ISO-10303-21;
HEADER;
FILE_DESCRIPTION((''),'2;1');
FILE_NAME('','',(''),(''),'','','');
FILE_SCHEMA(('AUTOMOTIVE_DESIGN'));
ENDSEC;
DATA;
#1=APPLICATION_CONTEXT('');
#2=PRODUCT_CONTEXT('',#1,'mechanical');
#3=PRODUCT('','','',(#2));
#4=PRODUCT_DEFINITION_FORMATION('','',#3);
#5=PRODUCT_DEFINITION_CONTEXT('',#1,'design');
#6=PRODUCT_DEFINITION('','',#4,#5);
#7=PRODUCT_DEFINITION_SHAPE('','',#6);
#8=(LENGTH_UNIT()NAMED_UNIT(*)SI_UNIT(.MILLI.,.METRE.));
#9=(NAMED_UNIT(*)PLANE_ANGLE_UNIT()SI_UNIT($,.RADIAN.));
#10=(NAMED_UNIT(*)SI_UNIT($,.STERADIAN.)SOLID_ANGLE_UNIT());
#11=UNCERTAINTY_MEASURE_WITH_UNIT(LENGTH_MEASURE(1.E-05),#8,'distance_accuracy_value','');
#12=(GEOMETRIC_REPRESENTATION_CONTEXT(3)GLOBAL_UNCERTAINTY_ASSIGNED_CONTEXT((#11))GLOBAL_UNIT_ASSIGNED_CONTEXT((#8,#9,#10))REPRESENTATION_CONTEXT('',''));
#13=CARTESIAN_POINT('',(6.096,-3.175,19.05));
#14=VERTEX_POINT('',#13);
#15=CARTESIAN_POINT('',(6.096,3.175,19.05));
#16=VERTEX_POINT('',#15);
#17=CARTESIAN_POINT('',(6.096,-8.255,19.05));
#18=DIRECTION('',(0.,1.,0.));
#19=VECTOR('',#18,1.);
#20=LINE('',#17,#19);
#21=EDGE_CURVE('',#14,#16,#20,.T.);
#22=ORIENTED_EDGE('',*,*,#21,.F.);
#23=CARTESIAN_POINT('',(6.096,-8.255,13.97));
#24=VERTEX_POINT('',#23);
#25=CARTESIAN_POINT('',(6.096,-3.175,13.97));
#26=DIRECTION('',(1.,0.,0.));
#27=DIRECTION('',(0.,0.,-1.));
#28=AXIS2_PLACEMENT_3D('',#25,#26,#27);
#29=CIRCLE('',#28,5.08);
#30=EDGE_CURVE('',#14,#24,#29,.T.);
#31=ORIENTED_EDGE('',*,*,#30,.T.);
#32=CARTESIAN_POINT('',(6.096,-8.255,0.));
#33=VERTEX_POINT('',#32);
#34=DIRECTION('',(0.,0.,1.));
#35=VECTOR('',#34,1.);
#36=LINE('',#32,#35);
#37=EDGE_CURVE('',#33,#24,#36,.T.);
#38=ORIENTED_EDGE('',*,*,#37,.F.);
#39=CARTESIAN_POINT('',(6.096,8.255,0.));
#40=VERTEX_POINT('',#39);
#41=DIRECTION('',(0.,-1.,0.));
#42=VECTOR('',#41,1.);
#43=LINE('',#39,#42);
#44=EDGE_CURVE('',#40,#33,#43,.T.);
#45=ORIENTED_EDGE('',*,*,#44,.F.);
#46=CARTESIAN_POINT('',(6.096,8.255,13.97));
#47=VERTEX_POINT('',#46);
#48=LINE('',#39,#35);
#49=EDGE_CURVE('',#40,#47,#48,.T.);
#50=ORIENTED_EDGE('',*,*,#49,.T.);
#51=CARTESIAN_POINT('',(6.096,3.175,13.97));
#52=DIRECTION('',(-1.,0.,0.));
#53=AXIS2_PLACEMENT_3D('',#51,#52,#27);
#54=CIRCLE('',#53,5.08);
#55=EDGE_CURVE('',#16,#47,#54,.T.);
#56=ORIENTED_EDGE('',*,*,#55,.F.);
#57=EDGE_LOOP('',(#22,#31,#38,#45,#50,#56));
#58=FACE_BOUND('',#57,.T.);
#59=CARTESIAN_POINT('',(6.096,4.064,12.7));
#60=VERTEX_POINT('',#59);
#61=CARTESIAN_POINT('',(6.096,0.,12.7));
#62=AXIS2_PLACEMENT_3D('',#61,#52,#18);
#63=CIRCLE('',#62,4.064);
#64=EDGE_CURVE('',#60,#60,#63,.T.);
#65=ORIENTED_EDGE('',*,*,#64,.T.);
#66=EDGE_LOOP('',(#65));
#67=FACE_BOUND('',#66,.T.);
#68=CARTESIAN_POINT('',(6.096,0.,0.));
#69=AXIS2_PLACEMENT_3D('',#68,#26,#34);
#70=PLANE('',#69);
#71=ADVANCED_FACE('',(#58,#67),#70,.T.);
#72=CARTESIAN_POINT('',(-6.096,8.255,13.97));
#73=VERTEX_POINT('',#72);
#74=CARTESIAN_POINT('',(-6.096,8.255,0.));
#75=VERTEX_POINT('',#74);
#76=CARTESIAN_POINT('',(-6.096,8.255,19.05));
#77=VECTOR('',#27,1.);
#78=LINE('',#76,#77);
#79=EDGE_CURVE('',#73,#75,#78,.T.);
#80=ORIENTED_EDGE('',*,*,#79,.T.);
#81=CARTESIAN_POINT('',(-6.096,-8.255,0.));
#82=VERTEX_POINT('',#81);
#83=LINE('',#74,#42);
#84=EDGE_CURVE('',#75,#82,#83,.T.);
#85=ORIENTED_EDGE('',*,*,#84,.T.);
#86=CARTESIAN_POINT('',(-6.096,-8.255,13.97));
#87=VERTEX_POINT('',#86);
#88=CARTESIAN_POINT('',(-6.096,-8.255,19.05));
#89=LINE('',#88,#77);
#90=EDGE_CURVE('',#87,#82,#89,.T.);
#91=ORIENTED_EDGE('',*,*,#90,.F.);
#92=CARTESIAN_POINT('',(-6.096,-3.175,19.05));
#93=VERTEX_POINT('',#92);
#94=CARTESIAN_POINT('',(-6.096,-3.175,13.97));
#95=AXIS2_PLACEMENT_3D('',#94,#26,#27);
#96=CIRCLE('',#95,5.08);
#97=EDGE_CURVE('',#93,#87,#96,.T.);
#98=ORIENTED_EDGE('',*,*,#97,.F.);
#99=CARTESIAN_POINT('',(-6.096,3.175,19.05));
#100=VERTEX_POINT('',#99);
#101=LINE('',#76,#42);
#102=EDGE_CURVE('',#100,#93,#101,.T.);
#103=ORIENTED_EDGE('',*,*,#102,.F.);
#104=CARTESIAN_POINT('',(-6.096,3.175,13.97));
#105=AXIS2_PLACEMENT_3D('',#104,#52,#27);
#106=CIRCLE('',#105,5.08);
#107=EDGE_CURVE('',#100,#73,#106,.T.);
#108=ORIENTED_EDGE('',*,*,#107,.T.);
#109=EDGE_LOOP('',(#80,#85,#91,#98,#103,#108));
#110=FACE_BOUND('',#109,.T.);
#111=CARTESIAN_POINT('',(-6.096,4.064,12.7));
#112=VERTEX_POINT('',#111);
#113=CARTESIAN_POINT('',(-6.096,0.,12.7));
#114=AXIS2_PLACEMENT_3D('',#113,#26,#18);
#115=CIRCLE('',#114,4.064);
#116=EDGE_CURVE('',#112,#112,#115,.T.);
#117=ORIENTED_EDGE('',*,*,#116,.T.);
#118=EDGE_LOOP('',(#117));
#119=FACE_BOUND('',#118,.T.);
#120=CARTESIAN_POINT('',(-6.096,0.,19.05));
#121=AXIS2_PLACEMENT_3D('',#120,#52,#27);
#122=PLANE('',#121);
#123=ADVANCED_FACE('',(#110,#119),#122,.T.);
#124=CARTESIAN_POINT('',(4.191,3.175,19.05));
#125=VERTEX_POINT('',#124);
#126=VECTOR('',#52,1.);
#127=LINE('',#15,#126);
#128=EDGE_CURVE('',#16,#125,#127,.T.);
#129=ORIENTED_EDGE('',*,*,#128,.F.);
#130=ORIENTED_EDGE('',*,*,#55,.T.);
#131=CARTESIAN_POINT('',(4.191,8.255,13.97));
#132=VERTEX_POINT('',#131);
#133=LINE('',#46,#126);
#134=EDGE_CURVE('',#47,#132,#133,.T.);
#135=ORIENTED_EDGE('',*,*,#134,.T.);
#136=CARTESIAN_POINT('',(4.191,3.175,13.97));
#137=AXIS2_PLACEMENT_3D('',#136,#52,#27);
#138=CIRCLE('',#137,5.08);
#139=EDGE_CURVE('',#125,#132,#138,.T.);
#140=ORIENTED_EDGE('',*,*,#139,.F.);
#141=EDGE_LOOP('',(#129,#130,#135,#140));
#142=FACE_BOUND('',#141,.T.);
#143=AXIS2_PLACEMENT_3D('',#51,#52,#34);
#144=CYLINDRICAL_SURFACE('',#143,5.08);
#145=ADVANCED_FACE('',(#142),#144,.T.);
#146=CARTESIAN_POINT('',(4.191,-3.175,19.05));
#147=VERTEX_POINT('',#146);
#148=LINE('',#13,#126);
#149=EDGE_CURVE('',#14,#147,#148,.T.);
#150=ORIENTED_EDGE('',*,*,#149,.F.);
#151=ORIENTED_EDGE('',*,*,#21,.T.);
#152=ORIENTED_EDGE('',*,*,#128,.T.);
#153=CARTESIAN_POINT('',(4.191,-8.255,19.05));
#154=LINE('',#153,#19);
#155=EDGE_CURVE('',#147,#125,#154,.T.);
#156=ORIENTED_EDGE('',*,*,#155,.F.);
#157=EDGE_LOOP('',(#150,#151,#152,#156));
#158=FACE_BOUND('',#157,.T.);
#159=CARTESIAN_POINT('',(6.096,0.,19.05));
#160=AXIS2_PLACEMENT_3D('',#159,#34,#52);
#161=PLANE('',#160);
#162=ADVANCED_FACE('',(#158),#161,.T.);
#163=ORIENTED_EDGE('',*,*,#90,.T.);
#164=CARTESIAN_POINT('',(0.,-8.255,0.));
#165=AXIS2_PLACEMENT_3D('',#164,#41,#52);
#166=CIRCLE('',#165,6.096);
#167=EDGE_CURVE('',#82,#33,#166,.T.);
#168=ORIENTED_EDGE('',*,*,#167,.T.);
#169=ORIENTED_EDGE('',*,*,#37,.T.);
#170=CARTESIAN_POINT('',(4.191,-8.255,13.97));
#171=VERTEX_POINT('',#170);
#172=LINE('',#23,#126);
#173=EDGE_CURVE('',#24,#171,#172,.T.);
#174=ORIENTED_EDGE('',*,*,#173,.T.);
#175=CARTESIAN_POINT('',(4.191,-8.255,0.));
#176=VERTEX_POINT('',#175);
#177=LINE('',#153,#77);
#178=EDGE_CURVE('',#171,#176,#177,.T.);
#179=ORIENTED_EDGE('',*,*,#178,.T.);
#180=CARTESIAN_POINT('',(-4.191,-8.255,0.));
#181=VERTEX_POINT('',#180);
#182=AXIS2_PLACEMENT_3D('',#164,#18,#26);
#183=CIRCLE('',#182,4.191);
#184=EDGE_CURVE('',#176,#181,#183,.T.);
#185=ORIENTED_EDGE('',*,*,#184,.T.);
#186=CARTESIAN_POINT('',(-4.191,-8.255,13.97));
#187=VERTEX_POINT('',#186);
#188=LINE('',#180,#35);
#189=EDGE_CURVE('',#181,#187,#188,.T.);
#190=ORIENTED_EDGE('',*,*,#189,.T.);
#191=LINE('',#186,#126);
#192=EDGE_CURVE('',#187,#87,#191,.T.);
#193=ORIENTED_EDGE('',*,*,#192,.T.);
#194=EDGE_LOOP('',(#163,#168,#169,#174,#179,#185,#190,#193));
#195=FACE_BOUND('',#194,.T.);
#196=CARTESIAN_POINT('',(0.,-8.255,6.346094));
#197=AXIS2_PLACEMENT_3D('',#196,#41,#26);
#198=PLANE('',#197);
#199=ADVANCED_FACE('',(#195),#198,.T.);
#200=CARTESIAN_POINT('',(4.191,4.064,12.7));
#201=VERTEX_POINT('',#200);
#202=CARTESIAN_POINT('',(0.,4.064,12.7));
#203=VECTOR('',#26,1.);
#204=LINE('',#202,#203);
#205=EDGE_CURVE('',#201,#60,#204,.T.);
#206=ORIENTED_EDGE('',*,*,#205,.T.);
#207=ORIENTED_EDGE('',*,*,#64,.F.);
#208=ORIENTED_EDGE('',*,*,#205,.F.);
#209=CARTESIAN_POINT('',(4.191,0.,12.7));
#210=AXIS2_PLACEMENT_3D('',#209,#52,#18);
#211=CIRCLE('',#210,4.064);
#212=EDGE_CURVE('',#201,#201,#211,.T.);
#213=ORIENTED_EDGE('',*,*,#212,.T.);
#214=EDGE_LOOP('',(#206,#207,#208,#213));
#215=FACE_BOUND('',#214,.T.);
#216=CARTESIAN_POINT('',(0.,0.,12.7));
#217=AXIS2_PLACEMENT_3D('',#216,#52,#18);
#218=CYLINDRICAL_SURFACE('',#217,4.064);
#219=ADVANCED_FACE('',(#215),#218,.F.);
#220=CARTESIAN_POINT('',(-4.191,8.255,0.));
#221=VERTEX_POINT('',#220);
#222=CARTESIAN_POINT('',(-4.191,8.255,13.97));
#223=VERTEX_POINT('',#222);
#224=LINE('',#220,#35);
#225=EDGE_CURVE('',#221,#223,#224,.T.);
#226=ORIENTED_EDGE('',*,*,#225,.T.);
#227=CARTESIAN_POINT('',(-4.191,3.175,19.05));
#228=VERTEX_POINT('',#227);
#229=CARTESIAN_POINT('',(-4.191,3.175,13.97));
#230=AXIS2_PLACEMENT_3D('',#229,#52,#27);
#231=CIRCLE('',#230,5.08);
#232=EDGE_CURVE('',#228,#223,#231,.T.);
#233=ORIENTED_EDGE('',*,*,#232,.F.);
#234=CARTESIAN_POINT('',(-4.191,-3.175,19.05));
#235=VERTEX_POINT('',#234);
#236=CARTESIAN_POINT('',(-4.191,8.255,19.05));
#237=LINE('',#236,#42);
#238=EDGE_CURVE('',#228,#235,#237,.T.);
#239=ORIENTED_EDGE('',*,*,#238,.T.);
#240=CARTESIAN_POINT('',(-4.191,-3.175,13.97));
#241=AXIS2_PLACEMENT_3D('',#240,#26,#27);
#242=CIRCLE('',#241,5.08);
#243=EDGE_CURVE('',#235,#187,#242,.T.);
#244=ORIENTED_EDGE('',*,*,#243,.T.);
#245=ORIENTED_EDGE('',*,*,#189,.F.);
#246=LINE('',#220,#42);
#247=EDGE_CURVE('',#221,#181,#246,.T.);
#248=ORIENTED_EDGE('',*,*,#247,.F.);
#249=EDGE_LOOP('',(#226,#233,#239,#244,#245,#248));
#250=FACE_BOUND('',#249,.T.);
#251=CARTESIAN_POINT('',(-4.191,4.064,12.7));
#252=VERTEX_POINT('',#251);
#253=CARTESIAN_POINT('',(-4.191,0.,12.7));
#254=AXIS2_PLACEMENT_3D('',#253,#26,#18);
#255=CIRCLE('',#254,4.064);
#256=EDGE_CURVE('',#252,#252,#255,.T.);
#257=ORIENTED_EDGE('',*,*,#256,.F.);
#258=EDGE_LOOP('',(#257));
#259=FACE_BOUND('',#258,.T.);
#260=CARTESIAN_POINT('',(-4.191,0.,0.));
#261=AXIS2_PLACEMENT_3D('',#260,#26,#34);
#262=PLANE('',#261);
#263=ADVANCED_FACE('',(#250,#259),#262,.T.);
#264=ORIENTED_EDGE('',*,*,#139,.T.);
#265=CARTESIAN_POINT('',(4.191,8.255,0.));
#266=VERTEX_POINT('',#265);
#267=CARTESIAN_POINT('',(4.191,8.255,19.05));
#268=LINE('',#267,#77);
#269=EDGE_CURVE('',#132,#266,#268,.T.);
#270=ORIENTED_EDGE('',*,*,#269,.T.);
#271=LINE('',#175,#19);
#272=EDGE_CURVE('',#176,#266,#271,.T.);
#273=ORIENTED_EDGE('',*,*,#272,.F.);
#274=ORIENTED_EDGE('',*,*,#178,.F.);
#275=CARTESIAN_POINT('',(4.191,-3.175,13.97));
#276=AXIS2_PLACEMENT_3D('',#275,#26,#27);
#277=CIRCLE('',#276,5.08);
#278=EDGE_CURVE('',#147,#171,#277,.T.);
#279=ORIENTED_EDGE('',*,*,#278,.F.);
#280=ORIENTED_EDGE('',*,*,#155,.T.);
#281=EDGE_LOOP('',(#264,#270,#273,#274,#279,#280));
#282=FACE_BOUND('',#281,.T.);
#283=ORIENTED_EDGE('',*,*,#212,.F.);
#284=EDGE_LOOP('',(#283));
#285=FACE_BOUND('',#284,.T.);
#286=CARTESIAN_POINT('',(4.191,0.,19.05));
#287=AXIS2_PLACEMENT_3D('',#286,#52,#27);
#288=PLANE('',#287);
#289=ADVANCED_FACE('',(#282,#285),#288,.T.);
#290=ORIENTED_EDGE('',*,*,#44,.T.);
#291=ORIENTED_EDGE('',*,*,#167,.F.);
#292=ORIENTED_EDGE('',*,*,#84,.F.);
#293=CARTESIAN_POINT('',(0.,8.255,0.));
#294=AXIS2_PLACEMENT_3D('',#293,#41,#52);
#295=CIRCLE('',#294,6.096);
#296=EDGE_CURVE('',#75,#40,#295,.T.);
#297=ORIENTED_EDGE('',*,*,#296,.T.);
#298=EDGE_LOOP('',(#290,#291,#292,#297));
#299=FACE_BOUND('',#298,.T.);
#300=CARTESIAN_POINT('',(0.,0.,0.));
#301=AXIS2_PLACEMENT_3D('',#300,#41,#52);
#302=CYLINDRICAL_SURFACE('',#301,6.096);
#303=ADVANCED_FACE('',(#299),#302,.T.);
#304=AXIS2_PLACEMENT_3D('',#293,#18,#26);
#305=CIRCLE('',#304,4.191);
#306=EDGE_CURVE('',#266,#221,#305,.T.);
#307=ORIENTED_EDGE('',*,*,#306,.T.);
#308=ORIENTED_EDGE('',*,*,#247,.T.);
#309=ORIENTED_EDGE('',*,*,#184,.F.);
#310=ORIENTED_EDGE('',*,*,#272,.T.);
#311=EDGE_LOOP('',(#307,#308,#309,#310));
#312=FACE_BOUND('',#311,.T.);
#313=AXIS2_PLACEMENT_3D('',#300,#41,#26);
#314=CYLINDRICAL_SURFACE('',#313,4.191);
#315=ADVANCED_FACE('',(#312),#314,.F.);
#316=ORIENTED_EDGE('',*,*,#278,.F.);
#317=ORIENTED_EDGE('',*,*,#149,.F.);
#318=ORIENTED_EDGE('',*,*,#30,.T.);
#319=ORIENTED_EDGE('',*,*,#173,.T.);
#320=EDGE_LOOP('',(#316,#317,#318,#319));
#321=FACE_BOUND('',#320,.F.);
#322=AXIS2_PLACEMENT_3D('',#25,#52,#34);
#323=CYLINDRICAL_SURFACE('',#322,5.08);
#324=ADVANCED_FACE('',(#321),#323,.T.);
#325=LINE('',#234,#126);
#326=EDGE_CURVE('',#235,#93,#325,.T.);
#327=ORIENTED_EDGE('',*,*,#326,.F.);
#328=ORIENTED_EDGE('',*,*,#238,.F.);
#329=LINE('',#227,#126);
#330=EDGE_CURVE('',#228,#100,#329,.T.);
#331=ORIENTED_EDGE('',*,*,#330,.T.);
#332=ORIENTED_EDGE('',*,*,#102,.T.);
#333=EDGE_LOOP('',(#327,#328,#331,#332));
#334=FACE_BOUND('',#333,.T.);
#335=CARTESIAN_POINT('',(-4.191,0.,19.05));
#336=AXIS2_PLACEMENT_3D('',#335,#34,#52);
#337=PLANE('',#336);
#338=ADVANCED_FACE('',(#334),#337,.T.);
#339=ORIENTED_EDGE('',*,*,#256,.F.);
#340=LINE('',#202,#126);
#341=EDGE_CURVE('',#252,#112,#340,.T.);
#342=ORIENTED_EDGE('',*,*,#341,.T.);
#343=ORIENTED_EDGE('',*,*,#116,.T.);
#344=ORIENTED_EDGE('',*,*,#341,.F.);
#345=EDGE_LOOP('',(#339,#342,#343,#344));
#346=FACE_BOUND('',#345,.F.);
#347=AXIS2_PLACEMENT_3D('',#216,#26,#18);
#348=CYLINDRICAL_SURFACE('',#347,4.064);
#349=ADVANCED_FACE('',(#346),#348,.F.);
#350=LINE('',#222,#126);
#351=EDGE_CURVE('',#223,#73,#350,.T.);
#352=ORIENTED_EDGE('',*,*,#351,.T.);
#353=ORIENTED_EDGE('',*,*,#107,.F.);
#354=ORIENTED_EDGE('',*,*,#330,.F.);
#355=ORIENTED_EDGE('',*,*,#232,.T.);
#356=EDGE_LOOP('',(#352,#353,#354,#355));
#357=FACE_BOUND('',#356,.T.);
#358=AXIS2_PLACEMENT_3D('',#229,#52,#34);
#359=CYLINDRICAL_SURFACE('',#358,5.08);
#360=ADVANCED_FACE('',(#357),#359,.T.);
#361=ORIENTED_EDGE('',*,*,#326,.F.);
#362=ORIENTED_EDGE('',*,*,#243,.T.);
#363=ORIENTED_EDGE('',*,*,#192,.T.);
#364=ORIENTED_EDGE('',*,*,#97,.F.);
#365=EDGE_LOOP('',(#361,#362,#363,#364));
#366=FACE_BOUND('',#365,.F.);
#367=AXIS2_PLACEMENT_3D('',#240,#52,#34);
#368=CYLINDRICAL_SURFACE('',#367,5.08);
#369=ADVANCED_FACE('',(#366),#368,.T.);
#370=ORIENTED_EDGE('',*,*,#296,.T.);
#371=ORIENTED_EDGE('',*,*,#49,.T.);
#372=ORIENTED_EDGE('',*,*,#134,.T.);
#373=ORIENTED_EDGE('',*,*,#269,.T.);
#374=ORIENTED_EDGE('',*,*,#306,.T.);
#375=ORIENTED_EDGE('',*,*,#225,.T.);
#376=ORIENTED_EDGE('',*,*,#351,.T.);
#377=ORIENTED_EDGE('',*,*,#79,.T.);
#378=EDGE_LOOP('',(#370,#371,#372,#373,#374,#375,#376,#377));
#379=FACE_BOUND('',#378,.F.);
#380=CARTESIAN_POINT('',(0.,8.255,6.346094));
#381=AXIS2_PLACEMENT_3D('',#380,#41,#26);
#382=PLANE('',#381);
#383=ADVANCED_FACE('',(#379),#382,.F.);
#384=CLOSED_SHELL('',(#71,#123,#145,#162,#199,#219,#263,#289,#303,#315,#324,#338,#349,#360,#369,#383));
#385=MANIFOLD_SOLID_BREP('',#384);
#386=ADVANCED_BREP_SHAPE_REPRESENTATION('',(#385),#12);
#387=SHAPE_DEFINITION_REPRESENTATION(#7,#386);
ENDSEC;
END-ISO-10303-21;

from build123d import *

# Parameters (mm, degrees)
F1_DEPTH      = 8.255
F2_R          = 5.08
F3_R          = 4.064
F4_DEPTH      = 6.097
F4_DEPTH_BACK = 6.097


with BuildPart() as f1:
    # F0 (on Front) → F1 (new body, symmetric)
    with BuildSketch(Plane.XZ):
        with BuildLine():
            ThreePointArc((4.191, 0), (0, -4.191), (-4.191, 0))
            Line((-4.191, 0), (-4.191, 19.05))
            Line((-4.191, 19.05), (-6.096, 19.05))
            Line((-6.096, 19.05), (-6.096, 0))
            ThreePointArc((-6.096, 0), (0, -6.096), (6.096, 0))
            Line((6.096, 0), (6.096, 19.05))
            Line((6.096, 19.05), (4.191, 19.05))
            Line((4.191, 19.05), (4.191, 0))
        make_face()
    extrude(amount=F1_DEPTH, both=True)

    # F2
    f2_edges = [f1.edges().sort_by_distance(p)[0] for p in [
        (5.1435, -8.255, 19.05),
        (5.1435, 8.255, 19.05),
        (-5.1435, 8.255, 19.05),
        (-5.1435, -8.255, 19.05),
    ]]
    fillet(f2_edges, radius=F2_R)

    # F3 (on Right) → F4 (cut, two sides)
    with BuildSketch(Plane.YZ) as f4_sk:
        with Locations((0, 12.7)):
            Circle(F3_R)
    extrude(amount=F4_DEPTH, mode=Mode.SUBTRACT)
    extrude(f4_sk.sketch, amount=-F4_DEPTH_BACK, mode=Mode.SUBTRACT)


solid = f1.part
